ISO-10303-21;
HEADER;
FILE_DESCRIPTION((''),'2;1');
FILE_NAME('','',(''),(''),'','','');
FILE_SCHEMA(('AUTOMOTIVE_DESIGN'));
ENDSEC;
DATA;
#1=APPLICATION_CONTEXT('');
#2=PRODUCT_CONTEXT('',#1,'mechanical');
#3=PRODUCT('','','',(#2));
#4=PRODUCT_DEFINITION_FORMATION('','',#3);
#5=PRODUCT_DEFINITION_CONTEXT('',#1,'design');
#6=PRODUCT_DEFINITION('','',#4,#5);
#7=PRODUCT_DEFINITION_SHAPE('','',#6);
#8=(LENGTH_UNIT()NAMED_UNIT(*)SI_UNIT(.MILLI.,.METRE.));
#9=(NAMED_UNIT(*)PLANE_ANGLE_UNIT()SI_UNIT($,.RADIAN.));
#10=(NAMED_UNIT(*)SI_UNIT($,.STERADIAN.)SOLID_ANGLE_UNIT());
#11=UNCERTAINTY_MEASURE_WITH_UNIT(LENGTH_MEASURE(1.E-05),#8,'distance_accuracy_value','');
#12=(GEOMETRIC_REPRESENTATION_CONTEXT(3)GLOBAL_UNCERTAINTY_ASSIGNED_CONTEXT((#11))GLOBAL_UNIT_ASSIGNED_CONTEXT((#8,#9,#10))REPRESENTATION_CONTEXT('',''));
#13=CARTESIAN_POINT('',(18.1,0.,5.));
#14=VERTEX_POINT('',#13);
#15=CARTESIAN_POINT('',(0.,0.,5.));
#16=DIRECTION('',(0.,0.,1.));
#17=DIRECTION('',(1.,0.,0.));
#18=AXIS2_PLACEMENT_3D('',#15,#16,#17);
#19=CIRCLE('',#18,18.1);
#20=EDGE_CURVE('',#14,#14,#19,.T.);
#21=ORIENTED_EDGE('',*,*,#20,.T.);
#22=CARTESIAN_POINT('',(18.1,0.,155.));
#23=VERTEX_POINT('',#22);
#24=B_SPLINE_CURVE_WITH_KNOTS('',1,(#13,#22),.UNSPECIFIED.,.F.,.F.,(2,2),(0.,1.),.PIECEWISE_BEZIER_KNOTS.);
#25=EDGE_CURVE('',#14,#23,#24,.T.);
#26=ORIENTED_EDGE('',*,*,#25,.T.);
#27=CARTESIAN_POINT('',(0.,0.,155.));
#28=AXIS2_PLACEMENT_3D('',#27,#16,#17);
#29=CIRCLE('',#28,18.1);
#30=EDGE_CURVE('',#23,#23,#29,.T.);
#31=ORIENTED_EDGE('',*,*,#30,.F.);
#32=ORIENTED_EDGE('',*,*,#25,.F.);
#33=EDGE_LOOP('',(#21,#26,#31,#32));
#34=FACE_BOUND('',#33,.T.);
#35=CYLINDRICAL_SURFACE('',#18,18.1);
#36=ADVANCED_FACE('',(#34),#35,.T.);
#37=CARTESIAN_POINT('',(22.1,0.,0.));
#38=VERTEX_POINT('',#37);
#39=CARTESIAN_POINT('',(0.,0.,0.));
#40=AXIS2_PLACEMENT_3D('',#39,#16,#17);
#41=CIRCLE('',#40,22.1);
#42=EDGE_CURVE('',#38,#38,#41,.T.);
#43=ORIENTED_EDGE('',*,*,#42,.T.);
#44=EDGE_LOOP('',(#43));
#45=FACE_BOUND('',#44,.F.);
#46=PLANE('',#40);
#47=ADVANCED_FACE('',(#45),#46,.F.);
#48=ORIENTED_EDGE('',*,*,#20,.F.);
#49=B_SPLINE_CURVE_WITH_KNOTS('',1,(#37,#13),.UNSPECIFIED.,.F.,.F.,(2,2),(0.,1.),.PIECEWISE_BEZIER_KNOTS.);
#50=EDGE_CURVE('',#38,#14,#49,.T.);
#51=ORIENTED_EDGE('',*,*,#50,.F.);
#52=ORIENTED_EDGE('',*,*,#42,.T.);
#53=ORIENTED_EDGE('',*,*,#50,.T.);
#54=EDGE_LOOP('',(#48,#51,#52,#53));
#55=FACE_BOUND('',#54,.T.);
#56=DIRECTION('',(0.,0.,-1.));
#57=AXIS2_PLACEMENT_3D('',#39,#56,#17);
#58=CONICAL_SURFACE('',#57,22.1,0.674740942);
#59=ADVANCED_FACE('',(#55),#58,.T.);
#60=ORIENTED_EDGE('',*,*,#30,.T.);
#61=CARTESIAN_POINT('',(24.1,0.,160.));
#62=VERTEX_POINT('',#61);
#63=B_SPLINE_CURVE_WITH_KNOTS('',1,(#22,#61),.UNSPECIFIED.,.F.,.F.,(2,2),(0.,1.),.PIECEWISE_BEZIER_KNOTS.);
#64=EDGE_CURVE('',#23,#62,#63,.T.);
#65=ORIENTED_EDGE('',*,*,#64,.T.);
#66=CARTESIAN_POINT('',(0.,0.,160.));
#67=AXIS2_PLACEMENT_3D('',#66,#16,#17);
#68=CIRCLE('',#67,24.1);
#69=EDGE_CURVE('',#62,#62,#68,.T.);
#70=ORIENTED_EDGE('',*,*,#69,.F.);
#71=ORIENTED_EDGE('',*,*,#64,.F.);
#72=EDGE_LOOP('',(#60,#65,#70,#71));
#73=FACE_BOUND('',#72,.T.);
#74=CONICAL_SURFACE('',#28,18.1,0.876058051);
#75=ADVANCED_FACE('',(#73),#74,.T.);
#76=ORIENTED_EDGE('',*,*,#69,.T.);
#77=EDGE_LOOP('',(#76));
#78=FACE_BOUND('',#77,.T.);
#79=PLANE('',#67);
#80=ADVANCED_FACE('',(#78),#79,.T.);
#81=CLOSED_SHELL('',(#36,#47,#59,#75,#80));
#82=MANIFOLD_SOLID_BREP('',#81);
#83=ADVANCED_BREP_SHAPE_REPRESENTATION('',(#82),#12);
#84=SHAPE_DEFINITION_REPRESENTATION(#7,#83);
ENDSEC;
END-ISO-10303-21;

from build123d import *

# Parameters (mm, degrees)
F0_R      = 22.1
F2_R      = 18.1
F7_FACE_R = 18.1
F4_R      = 18.1
F8_FACE_R = 18.1
F6_R      = 24.1


with BuildPart() as f7:
    # F0 (on Top) → F7 section 0
    with BuildSketch(Plane.XY):
        Circle(F0_R)
    # F2 (on offset) → F7 section 1
    with BuildSketch(Plane.XY.offset(5)):
        Circle(F2_R)
    loft()

    # F7_face (on face) → F8 section 0
    with BuildSketch(Plane.XY.offset(5)):
        Circle(F7_FACE_R)
    # F4 (on offset) → F8 section 1
    with BuildSketch(Plane.XY.offset(155)):
        Circle(F4_R)
    loft()

    # F8_face (on face) → F9 section 0
    with BuildSketch(Plane.XY.offset(155)):
        Circle(F8_FACE_R)
    # F6 (on offset) → F9 section 1
    with BuildSketch(Plane.XY.offset(160)):
        Circle(F6_R)
    loft()


solid = f7.part
